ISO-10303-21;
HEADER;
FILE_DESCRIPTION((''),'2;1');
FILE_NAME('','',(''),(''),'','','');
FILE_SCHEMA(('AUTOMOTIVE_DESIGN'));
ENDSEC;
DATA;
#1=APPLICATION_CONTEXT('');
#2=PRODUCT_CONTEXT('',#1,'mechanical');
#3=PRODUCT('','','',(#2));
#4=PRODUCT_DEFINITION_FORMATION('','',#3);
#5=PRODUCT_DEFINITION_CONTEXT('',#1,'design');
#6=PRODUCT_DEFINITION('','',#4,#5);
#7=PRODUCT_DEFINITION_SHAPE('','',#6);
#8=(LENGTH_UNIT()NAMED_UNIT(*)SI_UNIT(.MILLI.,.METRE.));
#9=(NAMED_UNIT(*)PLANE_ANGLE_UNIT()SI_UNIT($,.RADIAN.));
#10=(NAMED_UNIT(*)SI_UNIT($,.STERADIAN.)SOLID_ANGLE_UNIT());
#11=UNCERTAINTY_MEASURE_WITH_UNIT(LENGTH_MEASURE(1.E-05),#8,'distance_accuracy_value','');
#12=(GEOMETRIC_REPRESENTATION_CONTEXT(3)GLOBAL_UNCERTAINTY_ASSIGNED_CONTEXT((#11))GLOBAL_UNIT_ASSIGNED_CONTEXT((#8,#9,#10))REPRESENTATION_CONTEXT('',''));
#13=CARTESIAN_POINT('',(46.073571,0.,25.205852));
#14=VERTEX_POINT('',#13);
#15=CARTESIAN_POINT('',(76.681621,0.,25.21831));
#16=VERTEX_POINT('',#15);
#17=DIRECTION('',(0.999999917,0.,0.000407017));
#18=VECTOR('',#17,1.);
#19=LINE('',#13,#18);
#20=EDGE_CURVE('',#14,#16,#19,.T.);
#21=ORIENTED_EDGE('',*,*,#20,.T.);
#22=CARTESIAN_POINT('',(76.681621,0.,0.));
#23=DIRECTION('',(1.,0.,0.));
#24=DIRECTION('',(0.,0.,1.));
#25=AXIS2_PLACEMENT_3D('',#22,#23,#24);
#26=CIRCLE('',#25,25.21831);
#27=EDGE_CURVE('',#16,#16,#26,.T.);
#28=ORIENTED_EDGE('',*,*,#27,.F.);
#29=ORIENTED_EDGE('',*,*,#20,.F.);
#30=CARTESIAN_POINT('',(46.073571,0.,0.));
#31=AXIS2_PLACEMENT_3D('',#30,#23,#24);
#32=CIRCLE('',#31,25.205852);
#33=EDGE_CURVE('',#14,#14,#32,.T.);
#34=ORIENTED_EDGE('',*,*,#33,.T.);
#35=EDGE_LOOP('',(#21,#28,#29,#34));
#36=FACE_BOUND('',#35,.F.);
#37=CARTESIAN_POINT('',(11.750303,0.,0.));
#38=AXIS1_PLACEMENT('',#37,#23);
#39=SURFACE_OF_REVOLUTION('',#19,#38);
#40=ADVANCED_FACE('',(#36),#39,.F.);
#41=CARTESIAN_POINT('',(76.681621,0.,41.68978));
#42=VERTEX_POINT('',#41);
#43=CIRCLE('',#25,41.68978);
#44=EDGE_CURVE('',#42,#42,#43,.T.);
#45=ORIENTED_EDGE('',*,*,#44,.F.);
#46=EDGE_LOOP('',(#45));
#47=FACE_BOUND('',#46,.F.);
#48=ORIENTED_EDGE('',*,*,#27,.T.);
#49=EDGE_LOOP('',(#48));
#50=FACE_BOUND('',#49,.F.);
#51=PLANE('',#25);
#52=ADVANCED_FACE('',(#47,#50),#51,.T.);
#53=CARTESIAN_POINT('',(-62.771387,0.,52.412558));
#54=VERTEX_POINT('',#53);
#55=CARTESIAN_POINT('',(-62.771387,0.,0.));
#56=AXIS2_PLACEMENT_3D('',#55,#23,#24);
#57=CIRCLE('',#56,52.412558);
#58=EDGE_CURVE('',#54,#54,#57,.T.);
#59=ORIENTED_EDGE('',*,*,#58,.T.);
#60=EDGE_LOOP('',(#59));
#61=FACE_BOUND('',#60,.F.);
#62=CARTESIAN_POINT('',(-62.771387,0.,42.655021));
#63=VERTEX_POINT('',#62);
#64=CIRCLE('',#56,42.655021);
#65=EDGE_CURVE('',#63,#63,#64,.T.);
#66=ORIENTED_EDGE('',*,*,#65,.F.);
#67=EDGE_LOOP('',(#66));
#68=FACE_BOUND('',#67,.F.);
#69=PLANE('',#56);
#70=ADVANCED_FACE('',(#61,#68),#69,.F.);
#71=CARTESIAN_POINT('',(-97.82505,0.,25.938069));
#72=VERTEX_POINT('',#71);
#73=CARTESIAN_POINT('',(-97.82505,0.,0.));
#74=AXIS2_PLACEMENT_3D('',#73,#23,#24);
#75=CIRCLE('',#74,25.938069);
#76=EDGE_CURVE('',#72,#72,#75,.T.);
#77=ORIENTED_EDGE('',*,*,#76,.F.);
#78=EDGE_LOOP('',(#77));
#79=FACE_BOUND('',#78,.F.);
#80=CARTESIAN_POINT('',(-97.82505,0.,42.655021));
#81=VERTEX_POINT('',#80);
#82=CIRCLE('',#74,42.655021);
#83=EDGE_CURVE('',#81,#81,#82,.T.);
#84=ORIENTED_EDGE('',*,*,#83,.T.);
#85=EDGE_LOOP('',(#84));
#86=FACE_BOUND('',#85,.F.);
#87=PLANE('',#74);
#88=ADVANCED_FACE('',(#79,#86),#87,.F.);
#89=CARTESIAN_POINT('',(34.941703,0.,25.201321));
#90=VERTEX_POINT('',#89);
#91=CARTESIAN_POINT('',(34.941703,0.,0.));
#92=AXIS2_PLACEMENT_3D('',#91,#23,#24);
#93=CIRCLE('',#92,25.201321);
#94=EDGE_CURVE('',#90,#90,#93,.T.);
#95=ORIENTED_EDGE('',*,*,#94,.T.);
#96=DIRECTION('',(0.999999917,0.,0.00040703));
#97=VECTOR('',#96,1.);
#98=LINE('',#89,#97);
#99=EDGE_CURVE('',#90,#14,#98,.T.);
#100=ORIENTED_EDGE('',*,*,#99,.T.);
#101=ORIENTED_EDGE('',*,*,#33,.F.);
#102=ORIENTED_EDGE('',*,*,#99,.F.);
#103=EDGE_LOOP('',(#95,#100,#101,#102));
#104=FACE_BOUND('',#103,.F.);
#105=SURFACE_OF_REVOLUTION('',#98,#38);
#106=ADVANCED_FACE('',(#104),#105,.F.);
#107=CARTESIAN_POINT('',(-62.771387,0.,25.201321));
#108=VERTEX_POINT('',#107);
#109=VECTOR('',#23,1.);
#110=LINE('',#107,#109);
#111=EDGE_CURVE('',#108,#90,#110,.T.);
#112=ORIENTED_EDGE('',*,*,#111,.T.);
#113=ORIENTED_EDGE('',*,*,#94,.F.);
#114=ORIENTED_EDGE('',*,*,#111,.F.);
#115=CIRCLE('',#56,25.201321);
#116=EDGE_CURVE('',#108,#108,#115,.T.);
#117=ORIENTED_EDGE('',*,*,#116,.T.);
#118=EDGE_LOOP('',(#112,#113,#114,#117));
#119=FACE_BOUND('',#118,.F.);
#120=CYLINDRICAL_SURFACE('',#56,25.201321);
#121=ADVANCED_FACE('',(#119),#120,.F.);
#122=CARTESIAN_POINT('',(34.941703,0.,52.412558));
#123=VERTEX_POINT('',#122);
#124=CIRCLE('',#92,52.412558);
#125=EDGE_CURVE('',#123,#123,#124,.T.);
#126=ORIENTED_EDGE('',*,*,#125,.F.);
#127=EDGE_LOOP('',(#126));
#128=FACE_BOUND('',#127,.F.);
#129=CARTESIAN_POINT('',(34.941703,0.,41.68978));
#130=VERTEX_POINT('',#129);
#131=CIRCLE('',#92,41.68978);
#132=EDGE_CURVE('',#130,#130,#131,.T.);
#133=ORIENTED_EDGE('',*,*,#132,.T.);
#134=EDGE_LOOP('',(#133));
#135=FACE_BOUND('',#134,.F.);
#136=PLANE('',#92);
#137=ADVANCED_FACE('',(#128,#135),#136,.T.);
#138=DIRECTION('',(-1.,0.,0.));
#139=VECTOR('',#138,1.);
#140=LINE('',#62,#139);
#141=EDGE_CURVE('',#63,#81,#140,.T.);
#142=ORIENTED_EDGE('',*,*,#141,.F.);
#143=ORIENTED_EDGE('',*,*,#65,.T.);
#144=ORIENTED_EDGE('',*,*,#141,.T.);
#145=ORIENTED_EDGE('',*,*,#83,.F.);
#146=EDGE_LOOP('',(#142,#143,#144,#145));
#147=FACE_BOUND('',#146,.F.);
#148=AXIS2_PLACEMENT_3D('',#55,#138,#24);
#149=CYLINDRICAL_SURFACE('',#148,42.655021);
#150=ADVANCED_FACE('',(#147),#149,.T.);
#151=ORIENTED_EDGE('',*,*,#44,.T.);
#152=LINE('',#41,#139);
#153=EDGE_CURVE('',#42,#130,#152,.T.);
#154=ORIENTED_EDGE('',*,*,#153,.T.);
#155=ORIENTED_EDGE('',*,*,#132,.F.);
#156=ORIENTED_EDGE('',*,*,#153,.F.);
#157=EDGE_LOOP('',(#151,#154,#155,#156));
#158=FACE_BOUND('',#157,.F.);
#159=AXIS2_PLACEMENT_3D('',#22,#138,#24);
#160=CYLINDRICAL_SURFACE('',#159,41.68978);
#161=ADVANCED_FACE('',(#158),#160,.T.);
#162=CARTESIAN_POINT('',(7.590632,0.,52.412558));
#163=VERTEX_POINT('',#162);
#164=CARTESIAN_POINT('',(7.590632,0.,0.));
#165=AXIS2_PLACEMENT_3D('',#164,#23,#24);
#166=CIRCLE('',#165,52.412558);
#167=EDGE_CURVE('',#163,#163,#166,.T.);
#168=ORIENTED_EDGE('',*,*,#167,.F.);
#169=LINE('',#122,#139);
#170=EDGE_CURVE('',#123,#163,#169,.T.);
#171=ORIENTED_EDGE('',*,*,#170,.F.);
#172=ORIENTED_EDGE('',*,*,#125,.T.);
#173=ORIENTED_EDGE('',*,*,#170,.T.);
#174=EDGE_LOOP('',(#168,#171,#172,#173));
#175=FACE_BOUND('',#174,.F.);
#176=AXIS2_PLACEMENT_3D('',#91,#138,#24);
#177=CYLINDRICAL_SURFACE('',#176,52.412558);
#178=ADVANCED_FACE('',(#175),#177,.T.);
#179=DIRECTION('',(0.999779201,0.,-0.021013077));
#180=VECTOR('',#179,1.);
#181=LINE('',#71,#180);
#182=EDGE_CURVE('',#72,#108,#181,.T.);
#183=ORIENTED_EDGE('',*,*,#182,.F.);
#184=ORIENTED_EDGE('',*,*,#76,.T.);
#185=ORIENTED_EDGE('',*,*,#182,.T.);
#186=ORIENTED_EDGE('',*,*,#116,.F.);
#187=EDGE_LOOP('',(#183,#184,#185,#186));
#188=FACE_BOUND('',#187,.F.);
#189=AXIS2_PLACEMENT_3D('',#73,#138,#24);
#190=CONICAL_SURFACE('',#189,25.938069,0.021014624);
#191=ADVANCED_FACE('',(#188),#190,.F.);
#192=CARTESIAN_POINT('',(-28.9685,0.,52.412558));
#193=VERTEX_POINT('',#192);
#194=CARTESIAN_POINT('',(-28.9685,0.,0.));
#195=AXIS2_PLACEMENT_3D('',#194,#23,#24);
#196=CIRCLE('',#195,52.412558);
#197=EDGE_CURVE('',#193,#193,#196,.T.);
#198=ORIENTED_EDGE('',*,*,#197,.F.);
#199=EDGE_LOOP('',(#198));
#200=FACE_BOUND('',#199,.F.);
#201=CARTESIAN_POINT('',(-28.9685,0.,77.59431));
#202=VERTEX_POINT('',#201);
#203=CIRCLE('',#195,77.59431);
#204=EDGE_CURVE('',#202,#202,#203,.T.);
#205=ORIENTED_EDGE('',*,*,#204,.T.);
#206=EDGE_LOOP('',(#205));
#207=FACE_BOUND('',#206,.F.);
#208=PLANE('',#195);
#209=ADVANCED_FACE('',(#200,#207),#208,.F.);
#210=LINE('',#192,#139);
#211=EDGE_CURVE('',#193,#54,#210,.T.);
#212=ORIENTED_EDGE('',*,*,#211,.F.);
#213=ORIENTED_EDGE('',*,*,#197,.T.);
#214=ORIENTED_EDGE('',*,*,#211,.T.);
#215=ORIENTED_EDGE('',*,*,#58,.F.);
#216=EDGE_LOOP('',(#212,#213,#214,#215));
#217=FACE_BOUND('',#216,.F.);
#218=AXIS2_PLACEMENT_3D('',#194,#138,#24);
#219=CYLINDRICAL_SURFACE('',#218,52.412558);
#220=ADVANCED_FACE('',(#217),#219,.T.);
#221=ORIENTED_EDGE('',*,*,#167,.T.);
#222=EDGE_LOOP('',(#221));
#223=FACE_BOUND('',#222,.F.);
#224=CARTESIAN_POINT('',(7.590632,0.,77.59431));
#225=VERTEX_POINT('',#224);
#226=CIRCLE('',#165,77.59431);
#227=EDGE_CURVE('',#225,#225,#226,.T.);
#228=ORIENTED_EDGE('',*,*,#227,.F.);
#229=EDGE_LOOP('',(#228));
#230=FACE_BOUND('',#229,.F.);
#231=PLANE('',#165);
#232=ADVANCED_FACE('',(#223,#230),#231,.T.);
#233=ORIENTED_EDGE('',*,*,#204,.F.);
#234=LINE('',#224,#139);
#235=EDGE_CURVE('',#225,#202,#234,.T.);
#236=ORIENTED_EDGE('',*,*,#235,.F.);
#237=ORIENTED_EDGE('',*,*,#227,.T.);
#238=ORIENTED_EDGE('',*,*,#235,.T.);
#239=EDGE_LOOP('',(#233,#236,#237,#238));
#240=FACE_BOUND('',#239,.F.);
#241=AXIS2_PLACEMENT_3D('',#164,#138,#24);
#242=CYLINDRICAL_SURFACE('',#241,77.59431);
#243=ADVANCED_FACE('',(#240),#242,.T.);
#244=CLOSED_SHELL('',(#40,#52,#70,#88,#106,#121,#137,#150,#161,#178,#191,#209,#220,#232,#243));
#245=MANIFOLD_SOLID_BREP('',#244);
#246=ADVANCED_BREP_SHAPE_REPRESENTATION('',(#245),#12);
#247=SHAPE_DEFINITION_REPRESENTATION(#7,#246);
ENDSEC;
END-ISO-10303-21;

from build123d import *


with BuildPart() as f1:
    # F0 (on Front) → F1 (revolve)
    with BuildSketch(Plane.XZ):
        Polygon((-97.82505, 25.938069), (-62.771387, 25.201321), (34.941703, 25.201321), (46.073571, 25.205852), (76.681621, 25.21831), (76.681621, 41.68978), (34.941703, 41.68978), (34.941703, 52.412558), (7.590632, 52.412558), (7.590632, 77.59431), (-28.9685, 77.59431), (-28.9685, 52.412558), (-62.771387, 52.412558), (-62.771387, 42.655021), (-97.82505, 42.655021), align=None)
    revolve(axis=Axis((11.750303, 0, 0), (1, 0, 0)))


solid = f1.part
